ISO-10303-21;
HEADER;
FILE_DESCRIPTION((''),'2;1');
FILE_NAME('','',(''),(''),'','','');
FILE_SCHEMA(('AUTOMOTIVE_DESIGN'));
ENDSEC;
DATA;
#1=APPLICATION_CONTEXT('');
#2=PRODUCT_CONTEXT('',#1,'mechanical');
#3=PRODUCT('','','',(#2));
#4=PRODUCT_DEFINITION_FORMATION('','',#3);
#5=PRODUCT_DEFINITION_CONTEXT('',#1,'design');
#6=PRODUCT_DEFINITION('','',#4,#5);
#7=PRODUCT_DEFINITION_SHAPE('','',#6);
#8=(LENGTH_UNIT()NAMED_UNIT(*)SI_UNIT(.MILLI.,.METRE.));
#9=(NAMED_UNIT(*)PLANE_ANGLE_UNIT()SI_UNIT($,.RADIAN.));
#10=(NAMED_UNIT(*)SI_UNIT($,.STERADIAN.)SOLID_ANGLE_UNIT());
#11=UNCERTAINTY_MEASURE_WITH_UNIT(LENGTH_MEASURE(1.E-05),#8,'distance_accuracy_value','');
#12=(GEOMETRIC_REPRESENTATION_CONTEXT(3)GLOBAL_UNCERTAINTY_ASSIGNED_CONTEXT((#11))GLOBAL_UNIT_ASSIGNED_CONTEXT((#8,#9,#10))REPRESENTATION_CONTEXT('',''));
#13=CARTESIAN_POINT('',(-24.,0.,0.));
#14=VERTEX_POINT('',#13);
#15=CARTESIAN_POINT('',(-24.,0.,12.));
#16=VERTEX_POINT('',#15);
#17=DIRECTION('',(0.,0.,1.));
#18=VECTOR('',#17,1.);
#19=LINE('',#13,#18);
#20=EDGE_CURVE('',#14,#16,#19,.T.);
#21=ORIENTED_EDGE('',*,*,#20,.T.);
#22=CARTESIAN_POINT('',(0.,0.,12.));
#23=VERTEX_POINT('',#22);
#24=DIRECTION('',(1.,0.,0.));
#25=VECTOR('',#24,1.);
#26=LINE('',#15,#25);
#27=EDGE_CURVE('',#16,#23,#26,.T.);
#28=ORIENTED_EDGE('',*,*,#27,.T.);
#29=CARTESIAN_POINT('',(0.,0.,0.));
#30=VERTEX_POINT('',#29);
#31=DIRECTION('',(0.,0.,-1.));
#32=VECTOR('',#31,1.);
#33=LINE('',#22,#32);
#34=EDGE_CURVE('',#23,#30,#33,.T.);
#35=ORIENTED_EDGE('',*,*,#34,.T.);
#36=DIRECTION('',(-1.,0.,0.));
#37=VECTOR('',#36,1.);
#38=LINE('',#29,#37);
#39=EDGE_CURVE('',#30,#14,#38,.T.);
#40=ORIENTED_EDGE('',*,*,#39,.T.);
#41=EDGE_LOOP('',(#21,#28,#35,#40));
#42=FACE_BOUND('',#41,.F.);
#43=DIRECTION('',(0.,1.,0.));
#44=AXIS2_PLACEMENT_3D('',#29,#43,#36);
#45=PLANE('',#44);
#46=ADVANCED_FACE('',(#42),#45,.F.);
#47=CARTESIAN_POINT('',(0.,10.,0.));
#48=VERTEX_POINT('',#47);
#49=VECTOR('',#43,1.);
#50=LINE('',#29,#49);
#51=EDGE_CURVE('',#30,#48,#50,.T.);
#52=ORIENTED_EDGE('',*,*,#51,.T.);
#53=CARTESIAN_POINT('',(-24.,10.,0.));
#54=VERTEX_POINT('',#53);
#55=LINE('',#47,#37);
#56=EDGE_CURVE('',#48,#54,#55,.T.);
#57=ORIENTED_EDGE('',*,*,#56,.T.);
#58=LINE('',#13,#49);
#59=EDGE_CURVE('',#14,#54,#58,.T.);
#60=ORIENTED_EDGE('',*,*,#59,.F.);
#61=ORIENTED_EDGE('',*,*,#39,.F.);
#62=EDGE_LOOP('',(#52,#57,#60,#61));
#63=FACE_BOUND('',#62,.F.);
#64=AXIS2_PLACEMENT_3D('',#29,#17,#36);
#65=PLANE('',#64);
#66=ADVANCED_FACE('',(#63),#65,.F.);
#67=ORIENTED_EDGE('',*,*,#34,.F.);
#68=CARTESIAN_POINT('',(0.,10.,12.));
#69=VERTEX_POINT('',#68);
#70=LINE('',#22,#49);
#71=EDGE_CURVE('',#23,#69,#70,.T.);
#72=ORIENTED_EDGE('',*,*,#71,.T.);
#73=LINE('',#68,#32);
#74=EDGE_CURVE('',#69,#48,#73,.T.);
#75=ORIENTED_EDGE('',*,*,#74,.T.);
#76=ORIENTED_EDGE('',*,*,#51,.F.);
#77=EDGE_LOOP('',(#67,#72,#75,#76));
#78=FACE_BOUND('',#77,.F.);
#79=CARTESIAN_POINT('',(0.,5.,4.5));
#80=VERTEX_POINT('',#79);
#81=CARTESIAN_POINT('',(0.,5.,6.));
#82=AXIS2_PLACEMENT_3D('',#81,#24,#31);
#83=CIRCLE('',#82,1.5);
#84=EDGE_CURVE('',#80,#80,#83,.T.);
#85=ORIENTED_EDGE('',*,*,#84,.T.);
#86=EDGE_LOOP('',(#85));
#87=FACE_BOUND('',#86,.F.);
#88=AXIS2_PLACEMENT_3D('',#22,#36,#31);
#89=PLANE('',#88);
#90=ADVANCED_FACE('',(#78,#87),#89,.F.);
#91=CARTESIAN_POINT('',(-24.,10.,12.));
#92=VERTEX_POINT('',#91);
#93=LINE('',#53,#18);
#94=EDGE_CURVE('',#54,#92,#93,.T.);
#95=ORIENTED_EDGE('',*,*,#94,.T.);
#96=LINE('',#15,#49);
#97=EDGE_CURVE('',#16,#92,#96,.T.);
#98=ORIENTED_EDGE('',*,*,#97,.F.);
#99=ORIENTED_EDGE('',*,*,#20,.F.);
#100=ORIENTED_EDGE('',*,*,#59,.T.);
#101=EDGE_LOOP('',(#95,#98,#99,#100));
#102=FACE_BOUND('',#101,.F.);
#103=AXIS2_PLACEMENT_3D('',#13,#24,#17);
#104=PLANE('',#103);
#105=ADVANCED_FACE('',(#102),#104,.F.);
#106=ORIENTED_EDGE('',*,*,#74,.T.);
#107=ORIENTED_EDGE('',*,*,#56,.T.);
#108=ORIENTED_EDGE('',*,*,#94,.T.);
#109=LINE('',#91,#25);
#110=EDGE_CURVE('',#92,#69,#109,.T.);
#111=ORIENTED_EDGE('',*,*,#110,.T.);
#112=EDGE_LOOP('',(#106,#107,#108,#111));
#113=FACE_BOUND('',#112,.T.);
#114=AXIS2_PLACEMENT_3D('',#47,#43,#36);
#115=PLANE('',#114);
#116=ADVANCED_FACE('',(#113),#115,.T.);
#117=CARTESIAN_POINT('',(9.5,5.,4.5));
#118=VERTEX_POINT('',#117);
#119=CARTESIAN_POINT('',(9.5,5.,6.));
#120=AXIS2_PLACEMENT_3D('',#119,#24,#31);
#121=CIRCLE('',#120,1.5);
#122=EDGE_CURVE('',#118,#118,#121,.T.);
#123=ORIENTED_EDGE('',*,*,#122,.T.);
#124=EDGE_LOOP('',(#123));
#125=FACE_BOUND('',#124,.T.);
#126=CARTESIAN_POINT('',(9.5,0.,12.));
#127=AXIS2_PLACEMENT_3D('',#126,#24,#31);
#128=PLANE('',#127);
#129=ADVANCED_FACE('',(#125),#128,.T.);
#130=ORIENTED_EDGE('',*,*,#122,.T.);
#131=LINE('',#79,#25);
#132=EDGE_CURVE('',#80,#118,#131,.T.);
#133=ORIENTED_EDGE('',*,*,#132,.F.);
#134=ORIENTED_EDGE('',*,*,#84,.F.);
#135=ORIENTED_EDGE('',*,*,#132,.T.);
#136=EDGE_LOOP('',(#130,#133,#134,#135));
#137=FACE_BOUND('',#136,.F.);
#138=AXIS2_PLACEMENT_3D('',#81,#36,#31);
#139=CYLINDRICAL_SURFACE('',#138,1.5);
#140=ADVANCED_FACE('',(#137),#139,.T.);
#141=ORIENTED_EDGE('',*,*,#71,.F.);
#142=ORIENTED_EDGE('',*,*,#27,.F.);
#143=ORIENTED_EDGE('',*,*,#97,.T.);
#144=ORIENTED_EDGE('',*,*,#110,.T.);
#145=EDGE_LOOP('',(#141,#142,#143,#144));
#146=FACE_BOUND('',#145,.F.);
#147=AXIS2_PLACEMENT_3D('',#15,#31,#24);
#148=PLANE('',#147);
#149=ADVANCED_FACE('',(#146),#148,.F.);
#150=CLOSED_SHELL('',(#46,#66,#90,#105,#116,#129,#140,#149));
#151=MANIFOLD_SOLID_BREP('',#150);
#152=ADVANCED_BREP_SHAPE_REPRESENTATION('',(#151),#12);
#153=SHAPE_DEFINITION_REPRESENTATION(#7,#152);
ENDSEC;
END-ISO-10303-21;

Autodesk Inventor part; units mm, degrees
ref_plane "YZ Plane" through (0, 0, 0) normal (1, 0, 0) x (0, 1, 0)
ref_plane "XZ Plane" through (0, 0, 0) normal (0, 1, 0) x (-1, 0, 0)
ref_plane "XY Plane" through (0, 0, 0) normal (0, 0, 1) x (1, 0, 0)
sketch "Sketch1" plane through (0, 0, 0) normal (0, 1, 0) x (-1, 0, 0)
  line L0 (0, 0) -> (24, 0)
  line L1 (24, 0) -> (24, 12)
  line L2 (24, 12) -> (0, 12)
  line L3 (0, 12) -> (0, 0)
  dimension "d0" = 24
  dimension "d1" = 12
extrude "Extrusion1" add sketch "Sketch1" along normal blind 10
sketch "Sketch2" plane through (0, 0, 12) normal (1, 0, 0) x (0, 0, -1)
  line L0 (12, 10) -> (0, 10) construction
  line L1 (12, 0) -> (12, 10) construction
  line L2 (0, 10) -> (12, 0) construction
  line L3 (12, 0) -> (0, 0) construction
  line L4 (12, 10) -> (0, 0) construction
  circle A0 centre (6, 5) radius 1.5
  dimension "d4" = 3
extrude "Extrusion2" add sketch "Sketch2" along normal blind 9.5
properties part number "motor"
